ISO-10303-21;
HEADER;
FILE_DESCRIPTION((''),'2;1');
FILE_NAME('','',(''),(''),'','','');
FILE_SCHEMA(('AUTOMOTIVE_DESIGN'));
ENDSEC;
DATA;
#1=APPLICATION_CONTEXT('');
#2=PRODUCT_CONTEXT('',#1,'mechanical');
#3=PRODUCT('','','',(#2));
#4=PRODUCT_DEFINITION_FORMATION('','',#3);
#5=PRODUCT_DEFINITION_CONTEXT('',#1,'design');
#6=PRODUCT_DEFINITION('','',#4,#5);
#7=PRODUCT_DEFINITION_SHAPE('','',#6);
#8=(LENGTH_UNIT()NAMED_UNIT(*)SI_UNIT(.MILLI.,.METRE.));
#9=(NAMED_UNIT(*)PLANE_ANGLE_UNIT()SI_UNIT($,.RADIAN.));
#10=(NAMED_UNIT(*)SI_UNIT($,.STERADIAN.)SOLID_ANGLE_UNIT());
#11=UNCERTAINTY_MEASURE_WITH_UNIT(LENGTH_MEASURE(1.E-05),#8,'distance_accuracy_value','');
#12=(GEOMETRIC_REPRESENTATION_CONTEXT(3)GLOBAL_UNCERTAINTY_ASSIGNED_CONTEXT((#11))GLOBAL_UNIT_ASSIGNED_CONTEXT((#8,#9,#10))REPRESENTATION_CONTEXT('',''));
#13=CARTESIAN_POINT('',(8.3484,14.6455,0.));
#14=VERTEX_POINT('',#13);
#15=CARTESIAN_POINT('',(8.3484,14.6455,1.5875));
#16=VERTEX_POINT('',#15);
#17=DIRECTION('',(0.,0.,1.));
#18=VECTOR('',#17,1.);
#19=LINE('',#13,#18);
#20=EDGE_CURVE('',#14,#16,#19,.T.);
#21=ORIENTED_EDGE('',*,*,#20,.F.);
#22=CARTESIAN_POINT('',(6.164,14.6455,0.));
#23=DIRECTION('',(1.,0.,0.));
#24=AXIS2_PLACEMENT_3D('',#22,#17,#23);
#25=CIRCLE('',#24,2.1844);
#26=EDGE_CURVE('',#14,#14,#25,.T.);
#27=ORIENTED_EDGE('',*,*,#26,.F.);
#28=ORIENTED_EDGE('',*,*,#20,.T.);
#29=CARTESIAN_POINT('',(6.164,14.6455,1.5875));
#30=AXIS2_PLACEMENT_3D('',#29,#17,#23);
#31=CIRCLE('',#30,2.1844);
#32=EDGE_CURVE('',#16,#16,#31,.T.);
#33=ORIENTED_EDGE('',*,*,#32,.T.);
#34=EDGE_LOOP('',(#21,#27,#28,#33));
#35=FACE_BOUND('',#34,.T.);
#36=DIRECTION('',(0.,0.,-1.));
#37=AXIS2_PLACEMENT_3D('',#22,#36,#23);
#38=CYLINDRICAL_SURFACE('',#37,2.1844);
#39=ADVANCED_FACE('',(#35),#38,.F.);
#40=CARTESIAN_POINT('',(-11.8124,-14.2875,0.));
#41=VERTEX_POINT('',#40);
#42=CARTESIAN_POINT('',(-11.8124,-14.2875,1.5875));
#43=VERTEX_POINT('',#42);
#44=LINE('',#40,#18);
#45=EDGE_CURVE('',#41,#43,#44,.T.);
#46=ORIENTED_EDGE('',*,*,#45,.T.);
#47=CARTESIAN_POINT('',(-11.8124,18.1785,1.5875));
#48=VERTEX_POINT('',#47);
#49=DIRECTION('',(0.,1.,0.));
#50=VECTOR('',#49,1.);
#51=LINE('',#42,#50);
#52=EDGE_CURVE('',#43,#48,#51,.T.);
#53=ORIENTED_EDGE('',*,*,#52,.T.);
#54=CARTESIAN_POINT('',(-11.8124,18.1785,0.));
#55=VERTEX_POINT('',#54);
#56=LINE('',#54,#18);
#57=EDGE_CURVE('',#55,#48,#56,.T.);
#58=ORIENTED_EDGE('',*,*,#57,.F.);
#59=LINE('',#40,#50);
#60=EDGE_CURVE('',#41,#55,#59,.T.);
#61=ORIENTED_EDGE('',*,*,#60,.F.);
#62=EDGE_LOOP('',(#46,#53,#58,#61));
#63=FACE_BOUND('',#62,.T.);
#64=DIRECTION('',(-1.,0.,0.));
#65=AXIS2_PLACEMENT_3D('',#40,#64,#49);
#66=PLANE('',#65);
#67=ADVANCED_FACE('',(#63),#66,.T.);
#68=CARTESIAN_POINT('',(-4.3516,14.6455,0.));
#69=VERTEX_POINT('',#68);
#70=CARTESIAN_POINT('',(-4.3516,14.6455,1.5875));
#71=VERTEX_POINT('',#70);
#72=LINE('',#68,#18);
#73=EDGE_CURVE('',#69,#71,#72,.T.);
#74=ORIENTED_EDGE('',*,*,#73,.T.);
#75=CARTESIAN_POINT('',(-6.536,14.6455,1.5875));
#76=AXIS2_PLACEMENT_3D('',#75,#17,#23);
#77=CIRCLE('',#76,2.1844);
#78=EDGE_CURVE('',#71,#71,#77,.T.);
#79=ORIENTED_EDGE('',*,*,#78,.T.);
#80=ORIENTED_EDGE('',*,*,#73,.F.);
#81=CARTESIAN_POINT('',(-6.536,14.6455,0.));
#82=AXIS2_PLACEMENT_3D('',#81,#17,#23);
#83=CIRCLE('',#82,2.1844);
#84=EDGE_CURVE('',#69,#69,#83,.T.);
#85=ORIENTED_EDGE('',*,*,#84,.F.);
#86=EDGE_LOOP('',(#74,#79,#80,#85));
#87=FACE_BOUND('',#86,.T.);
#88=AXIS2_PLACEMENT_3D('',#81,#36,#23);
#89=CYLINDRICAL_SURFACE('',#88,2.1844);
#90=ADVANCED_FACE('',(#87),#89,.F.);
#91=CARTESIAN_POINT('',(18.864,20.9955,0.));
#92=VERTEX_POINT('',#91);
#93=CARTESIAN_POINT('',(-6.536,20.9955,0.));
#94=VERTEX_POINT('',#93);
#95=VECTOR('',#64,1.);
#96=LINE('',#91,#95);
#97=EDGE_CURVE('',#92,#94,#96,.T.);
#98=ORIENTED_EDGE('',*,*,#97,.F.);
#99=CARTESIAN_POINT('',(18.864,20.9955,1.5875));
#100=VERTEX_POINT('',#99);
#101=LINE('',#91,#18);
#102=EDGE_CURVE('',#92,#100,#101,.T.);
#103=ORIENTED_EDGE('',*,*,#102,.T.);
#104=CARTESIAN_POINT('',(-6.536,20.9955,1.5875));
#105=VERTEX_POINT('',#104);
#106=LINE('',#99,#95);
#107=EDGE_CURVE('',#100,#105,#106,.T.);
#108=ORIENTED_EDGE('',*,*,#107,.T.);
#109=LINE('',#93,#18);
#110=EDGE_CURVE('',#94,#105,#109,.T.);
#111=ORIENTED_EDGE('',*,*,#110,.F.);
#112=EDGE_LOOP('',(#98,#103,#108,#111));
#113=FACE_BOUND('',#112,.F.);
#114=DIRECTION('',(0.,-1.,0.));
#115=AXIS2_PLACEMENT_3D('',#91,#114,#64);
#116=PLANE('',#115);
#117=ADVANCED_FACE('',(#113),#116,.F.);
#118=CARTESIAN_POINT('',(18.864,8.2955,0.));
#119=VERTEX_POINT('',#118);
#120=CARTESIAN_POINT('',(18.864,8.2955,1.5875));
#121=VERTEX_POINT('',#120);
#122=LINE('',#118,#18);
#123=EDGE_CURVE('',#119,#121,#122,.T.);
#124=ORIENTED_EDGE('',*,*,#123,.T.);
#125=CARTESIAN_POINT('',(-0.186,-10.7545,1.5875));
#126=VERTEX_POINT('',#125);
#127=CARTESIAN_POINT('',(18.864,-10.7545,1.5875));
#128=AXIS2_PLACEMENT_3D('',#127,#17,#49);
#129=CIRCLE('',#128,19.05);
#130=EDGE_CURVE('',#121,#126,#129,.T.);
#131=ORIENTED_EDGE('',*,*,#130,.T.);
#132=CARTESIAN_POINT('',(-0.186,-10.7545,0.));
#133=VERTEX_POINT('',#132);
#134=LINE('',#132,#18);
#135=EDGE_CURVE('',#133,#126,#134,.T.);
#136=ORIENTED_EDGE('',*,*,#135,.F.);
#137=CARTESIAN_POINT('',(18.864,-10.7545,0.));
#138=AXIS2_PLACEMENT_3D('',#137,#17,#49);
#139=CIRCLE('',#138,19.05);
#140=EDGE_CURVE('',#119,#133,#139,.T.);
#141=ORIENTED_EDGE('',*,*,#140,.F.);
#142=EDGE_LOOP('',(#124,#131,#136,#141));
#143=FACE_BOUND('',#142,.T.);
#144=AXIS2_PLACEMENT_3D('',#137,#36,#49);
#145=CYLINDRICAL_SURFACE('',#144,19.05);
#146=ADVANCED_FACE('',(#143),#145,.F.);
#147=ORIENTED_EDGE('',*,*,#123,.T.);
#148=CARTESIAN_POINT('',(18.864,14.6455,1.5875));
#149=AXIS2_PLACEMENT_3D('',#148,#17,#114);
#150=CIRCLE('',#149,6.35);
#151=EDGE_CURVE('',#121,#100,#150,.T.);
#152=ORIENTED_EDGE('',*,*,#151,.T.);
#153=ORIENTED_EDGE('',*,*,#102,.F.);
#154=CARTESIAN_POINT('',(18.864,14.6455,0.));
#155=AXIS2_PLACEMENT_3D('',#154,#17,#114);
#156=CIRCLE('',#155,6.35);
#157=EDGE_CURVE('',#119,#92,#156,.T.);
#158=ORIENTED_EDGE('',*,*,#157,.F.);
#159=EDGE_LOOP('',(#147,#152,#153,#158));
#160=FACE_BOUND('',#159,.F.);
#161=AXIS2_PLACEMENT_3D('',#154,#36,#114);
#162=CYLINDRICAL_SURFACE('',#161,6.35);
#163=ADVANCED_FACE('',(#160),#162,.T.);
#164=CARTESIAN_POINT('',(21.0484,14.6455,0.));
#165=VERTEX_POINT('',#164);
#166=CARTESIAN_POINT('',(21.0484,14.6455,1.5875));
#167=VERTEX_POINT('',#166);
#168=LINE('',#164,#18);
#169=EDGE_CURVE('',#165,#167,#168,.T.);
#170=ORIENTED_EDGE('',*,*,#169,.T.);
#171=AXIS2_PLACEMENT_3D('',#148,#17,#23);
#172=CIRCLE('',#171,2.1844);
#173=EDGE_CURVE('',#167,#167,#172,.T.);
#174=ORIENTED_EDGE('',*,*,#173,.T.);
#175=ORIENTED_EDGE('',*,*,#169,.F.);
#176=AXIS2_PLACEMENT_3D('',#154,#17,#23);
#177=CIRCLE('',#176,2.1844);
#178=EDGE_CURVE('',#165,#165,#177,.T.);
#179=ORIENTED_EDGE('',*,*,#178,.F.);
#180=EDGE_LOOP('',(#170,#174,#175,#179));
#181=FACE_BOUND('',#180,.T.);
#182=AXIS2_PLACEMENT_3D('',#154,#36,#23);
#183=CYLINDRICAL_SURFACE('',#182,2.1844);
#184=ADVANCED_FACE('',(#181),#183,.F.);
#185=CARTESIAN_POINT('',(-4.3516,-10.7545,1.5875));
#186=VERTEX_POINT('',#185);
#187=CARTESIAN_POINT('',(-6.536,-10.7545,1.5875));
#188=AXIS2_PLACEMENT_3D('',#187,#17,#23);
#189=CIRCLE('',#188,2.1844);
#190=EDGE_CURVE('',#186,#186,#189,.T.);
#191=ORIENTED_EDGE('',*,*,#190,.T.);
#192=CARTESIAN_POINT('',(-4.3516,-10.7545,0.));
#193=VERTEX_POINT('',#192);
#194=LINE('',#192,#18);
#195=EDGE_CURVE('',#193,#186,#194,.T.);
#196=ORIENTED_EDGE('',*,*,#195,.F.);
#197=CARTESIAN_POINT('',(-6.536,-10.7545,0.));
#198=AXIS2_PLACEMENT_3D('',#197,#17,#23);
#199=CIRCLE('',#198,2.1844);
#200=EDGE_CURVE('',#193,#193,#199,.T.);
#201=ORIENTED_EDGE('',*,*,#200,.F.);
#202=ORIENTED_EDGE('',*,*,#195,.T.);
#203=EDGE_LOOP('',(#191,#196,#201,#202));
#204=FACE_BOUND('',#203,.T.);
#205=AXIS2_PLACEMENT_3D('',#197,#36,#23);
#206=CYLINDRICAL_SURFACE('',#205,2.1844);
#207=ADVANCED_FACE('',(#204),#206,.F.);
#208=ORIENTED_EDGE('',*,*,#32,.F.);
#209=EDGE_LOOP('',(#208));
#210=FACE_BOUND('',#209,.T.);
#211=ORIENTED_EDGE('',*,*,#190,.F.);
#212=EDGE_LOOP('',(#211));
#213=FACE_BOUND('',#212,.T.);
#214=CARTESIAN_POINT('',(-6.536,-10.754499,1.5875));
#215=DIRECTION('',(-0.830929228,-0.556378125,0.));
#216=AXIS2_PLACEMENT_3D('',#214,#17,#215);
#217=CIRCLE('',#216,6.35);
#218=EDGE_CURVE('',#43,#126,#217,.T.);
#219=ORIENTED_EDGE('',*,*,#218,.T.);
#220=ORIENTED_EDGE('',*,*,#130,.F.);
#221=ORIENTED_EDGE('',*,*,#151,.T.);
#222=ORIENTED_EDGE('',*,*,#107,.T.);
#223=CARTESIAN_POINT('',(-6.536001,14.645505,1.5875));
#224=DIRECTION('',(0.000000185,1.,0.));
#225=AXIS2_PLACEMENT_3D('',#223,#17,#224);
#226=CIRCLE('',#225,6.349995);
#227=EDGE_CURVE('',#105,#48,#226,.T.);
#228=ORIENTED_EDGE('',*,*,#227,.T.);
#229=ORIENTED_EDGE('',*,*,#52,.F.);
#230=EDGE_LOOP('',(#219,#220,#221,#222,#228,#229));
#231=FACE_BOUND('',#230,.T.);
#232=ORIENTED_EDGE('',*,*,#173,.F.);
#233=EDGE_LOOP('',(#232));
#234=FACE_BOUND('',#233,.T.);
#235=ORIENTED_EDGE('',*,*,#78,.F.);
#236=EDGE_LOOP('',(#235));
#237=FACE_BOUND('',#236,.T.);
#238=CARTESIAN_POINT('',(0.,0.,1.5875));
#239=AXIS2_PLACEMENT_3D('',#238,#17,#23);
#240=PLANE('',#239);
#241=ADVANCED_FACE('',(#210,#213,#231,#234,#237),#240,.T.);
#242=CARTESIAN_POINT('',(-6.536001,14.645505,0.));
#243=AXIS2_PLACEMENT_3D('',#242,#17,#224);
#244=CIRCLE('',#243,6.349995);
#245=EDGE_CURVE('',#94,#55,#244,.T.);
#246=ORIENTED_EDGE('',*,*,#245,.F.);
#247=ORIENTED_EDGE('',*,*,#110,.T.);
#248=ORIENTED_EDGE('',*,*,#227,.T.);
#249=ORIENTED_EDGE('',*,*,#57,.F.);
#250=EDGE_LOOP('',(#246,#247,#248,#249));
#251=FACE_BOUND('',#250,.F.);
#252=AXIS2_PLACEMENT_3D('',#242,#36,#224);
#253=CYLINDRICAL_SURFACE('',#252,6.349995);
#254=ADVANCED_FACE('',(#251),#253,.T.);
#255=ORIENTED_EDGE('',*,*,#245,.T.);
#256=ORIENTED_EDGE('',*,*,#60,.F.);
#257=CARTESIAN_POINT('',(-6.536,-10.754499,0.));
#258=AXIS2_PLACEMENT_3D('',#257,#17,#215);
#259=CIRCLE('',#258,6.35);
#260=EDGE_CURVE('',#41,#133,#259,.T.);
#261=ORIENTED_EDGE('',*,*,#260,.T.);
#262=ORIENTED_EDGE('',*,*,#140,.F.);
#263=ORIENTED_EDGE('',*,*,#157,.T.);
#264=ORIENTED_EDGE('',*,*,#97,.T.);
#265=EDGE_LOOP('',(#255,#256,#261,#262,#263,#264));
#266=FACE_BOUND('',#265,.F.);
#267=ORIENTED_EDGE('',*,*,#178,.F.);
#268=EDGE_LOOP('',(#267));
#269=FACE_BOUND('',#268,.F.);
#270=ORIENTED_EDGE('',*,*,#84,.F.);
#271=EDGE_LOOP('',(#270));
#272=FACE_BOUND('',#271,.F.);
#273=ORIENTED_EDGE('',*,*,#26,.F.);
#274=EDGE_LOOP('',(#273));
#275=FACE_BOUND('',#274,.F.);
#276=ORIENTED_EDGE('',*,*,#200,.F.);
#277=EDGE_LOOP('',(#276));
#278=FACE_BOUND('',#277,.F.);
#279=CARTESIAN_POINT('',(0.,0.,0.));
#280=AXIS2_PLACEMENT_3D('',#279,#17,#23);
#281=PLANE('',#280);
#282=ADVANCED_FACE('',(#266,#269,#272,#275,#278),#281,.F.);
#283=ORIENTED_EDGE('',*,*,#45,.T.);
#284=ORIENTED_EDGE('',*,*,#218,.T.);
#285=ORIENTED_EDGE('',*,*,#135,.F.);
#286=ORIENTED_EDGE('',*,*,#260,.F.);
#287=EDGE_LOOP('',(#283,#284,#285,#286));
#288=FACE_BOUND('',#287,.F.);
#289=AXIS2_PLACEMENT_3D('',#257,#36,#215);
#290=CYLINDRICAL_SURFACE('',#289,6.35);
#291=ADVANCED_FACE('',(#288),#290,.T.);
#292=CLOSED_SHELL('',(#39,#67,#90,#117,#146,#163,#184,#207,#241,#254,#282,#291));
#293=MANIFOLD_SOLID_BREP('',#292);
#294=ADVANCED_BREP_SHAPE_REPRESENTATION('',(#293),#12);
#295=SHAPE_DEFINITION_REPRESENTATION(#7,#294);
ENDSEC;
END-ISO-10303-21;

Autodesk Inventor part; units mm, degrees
ref_plane "YZ Plane" through (0, 0, 0) normal (1, 0, 0) x (0, 1, 0)
ref_plane "XZ Plane" through (0, 0, 0) normal (0, 1, 0) x (-1, 0, 0)
ref_plane "XY Plane" through (0, 0, 0) normal (0, 0, 1) x (1, 0, 0)
sketch "Sketch1" plane through (0, 0, 0) normal (0, 0, 1) x (1, 0, 0)
  circle A0 centre (-6.536, 14.6455) radius 2.1844
  circle A1 centre (18.864, 14.6455) radius 2.1844
  circle A2 centre (-6.536, -10.7545) radius 2.1844
  circle A3 centre (6.164, 14.6455) radius 2.1844
  arc A4 (-6.536, 20.9955) -> (-11.8124, 18.1785) centre (-6.536, 14.6455) ccw
  arc A5 (18.864, 8.2955) -> (18.864, 20.9955) centre (18.864, 14.6455) ccw
  line L0 (18.864, 20.9955) -> (-6.536, 20.9955)
  line L1 (18.864, 8.2955) -> (18.864, 8.2955)
  arc A6 (-11.8124, -14.2875) -> (-0.186, -10.7545) centre (-6.536, -10.7545) ccw
  line L2 (-0.186, -10.7545) -> (-0.186, -10.7545)
  arc A7 (18.864, 8.2955) -> (-0.186, -10.7545) centre (18.864, -10.7545) ccw
  line L3 (-11.8124, -14.2875) -> (-11.8124, 18.1785)
  point P0 (0, 0)
  point P1 (-0.186, -10.7545)
  dimension "d0" = 4.3688
  dimension "d1" = 4.3688
  dimension "d2" = 4.3688
  dimension "d3" = 4.3688
  dimension "d4" = 12.7
  dimension "d5" = 12.7
  dimension "d6" = 12.7
  dimension "d7" = 19.05
extrude "Extrusion1" add sketch "Sketch1" along normal blind 1.5875
properties part number "bed_gusset" material "Acetal Resin, White"
